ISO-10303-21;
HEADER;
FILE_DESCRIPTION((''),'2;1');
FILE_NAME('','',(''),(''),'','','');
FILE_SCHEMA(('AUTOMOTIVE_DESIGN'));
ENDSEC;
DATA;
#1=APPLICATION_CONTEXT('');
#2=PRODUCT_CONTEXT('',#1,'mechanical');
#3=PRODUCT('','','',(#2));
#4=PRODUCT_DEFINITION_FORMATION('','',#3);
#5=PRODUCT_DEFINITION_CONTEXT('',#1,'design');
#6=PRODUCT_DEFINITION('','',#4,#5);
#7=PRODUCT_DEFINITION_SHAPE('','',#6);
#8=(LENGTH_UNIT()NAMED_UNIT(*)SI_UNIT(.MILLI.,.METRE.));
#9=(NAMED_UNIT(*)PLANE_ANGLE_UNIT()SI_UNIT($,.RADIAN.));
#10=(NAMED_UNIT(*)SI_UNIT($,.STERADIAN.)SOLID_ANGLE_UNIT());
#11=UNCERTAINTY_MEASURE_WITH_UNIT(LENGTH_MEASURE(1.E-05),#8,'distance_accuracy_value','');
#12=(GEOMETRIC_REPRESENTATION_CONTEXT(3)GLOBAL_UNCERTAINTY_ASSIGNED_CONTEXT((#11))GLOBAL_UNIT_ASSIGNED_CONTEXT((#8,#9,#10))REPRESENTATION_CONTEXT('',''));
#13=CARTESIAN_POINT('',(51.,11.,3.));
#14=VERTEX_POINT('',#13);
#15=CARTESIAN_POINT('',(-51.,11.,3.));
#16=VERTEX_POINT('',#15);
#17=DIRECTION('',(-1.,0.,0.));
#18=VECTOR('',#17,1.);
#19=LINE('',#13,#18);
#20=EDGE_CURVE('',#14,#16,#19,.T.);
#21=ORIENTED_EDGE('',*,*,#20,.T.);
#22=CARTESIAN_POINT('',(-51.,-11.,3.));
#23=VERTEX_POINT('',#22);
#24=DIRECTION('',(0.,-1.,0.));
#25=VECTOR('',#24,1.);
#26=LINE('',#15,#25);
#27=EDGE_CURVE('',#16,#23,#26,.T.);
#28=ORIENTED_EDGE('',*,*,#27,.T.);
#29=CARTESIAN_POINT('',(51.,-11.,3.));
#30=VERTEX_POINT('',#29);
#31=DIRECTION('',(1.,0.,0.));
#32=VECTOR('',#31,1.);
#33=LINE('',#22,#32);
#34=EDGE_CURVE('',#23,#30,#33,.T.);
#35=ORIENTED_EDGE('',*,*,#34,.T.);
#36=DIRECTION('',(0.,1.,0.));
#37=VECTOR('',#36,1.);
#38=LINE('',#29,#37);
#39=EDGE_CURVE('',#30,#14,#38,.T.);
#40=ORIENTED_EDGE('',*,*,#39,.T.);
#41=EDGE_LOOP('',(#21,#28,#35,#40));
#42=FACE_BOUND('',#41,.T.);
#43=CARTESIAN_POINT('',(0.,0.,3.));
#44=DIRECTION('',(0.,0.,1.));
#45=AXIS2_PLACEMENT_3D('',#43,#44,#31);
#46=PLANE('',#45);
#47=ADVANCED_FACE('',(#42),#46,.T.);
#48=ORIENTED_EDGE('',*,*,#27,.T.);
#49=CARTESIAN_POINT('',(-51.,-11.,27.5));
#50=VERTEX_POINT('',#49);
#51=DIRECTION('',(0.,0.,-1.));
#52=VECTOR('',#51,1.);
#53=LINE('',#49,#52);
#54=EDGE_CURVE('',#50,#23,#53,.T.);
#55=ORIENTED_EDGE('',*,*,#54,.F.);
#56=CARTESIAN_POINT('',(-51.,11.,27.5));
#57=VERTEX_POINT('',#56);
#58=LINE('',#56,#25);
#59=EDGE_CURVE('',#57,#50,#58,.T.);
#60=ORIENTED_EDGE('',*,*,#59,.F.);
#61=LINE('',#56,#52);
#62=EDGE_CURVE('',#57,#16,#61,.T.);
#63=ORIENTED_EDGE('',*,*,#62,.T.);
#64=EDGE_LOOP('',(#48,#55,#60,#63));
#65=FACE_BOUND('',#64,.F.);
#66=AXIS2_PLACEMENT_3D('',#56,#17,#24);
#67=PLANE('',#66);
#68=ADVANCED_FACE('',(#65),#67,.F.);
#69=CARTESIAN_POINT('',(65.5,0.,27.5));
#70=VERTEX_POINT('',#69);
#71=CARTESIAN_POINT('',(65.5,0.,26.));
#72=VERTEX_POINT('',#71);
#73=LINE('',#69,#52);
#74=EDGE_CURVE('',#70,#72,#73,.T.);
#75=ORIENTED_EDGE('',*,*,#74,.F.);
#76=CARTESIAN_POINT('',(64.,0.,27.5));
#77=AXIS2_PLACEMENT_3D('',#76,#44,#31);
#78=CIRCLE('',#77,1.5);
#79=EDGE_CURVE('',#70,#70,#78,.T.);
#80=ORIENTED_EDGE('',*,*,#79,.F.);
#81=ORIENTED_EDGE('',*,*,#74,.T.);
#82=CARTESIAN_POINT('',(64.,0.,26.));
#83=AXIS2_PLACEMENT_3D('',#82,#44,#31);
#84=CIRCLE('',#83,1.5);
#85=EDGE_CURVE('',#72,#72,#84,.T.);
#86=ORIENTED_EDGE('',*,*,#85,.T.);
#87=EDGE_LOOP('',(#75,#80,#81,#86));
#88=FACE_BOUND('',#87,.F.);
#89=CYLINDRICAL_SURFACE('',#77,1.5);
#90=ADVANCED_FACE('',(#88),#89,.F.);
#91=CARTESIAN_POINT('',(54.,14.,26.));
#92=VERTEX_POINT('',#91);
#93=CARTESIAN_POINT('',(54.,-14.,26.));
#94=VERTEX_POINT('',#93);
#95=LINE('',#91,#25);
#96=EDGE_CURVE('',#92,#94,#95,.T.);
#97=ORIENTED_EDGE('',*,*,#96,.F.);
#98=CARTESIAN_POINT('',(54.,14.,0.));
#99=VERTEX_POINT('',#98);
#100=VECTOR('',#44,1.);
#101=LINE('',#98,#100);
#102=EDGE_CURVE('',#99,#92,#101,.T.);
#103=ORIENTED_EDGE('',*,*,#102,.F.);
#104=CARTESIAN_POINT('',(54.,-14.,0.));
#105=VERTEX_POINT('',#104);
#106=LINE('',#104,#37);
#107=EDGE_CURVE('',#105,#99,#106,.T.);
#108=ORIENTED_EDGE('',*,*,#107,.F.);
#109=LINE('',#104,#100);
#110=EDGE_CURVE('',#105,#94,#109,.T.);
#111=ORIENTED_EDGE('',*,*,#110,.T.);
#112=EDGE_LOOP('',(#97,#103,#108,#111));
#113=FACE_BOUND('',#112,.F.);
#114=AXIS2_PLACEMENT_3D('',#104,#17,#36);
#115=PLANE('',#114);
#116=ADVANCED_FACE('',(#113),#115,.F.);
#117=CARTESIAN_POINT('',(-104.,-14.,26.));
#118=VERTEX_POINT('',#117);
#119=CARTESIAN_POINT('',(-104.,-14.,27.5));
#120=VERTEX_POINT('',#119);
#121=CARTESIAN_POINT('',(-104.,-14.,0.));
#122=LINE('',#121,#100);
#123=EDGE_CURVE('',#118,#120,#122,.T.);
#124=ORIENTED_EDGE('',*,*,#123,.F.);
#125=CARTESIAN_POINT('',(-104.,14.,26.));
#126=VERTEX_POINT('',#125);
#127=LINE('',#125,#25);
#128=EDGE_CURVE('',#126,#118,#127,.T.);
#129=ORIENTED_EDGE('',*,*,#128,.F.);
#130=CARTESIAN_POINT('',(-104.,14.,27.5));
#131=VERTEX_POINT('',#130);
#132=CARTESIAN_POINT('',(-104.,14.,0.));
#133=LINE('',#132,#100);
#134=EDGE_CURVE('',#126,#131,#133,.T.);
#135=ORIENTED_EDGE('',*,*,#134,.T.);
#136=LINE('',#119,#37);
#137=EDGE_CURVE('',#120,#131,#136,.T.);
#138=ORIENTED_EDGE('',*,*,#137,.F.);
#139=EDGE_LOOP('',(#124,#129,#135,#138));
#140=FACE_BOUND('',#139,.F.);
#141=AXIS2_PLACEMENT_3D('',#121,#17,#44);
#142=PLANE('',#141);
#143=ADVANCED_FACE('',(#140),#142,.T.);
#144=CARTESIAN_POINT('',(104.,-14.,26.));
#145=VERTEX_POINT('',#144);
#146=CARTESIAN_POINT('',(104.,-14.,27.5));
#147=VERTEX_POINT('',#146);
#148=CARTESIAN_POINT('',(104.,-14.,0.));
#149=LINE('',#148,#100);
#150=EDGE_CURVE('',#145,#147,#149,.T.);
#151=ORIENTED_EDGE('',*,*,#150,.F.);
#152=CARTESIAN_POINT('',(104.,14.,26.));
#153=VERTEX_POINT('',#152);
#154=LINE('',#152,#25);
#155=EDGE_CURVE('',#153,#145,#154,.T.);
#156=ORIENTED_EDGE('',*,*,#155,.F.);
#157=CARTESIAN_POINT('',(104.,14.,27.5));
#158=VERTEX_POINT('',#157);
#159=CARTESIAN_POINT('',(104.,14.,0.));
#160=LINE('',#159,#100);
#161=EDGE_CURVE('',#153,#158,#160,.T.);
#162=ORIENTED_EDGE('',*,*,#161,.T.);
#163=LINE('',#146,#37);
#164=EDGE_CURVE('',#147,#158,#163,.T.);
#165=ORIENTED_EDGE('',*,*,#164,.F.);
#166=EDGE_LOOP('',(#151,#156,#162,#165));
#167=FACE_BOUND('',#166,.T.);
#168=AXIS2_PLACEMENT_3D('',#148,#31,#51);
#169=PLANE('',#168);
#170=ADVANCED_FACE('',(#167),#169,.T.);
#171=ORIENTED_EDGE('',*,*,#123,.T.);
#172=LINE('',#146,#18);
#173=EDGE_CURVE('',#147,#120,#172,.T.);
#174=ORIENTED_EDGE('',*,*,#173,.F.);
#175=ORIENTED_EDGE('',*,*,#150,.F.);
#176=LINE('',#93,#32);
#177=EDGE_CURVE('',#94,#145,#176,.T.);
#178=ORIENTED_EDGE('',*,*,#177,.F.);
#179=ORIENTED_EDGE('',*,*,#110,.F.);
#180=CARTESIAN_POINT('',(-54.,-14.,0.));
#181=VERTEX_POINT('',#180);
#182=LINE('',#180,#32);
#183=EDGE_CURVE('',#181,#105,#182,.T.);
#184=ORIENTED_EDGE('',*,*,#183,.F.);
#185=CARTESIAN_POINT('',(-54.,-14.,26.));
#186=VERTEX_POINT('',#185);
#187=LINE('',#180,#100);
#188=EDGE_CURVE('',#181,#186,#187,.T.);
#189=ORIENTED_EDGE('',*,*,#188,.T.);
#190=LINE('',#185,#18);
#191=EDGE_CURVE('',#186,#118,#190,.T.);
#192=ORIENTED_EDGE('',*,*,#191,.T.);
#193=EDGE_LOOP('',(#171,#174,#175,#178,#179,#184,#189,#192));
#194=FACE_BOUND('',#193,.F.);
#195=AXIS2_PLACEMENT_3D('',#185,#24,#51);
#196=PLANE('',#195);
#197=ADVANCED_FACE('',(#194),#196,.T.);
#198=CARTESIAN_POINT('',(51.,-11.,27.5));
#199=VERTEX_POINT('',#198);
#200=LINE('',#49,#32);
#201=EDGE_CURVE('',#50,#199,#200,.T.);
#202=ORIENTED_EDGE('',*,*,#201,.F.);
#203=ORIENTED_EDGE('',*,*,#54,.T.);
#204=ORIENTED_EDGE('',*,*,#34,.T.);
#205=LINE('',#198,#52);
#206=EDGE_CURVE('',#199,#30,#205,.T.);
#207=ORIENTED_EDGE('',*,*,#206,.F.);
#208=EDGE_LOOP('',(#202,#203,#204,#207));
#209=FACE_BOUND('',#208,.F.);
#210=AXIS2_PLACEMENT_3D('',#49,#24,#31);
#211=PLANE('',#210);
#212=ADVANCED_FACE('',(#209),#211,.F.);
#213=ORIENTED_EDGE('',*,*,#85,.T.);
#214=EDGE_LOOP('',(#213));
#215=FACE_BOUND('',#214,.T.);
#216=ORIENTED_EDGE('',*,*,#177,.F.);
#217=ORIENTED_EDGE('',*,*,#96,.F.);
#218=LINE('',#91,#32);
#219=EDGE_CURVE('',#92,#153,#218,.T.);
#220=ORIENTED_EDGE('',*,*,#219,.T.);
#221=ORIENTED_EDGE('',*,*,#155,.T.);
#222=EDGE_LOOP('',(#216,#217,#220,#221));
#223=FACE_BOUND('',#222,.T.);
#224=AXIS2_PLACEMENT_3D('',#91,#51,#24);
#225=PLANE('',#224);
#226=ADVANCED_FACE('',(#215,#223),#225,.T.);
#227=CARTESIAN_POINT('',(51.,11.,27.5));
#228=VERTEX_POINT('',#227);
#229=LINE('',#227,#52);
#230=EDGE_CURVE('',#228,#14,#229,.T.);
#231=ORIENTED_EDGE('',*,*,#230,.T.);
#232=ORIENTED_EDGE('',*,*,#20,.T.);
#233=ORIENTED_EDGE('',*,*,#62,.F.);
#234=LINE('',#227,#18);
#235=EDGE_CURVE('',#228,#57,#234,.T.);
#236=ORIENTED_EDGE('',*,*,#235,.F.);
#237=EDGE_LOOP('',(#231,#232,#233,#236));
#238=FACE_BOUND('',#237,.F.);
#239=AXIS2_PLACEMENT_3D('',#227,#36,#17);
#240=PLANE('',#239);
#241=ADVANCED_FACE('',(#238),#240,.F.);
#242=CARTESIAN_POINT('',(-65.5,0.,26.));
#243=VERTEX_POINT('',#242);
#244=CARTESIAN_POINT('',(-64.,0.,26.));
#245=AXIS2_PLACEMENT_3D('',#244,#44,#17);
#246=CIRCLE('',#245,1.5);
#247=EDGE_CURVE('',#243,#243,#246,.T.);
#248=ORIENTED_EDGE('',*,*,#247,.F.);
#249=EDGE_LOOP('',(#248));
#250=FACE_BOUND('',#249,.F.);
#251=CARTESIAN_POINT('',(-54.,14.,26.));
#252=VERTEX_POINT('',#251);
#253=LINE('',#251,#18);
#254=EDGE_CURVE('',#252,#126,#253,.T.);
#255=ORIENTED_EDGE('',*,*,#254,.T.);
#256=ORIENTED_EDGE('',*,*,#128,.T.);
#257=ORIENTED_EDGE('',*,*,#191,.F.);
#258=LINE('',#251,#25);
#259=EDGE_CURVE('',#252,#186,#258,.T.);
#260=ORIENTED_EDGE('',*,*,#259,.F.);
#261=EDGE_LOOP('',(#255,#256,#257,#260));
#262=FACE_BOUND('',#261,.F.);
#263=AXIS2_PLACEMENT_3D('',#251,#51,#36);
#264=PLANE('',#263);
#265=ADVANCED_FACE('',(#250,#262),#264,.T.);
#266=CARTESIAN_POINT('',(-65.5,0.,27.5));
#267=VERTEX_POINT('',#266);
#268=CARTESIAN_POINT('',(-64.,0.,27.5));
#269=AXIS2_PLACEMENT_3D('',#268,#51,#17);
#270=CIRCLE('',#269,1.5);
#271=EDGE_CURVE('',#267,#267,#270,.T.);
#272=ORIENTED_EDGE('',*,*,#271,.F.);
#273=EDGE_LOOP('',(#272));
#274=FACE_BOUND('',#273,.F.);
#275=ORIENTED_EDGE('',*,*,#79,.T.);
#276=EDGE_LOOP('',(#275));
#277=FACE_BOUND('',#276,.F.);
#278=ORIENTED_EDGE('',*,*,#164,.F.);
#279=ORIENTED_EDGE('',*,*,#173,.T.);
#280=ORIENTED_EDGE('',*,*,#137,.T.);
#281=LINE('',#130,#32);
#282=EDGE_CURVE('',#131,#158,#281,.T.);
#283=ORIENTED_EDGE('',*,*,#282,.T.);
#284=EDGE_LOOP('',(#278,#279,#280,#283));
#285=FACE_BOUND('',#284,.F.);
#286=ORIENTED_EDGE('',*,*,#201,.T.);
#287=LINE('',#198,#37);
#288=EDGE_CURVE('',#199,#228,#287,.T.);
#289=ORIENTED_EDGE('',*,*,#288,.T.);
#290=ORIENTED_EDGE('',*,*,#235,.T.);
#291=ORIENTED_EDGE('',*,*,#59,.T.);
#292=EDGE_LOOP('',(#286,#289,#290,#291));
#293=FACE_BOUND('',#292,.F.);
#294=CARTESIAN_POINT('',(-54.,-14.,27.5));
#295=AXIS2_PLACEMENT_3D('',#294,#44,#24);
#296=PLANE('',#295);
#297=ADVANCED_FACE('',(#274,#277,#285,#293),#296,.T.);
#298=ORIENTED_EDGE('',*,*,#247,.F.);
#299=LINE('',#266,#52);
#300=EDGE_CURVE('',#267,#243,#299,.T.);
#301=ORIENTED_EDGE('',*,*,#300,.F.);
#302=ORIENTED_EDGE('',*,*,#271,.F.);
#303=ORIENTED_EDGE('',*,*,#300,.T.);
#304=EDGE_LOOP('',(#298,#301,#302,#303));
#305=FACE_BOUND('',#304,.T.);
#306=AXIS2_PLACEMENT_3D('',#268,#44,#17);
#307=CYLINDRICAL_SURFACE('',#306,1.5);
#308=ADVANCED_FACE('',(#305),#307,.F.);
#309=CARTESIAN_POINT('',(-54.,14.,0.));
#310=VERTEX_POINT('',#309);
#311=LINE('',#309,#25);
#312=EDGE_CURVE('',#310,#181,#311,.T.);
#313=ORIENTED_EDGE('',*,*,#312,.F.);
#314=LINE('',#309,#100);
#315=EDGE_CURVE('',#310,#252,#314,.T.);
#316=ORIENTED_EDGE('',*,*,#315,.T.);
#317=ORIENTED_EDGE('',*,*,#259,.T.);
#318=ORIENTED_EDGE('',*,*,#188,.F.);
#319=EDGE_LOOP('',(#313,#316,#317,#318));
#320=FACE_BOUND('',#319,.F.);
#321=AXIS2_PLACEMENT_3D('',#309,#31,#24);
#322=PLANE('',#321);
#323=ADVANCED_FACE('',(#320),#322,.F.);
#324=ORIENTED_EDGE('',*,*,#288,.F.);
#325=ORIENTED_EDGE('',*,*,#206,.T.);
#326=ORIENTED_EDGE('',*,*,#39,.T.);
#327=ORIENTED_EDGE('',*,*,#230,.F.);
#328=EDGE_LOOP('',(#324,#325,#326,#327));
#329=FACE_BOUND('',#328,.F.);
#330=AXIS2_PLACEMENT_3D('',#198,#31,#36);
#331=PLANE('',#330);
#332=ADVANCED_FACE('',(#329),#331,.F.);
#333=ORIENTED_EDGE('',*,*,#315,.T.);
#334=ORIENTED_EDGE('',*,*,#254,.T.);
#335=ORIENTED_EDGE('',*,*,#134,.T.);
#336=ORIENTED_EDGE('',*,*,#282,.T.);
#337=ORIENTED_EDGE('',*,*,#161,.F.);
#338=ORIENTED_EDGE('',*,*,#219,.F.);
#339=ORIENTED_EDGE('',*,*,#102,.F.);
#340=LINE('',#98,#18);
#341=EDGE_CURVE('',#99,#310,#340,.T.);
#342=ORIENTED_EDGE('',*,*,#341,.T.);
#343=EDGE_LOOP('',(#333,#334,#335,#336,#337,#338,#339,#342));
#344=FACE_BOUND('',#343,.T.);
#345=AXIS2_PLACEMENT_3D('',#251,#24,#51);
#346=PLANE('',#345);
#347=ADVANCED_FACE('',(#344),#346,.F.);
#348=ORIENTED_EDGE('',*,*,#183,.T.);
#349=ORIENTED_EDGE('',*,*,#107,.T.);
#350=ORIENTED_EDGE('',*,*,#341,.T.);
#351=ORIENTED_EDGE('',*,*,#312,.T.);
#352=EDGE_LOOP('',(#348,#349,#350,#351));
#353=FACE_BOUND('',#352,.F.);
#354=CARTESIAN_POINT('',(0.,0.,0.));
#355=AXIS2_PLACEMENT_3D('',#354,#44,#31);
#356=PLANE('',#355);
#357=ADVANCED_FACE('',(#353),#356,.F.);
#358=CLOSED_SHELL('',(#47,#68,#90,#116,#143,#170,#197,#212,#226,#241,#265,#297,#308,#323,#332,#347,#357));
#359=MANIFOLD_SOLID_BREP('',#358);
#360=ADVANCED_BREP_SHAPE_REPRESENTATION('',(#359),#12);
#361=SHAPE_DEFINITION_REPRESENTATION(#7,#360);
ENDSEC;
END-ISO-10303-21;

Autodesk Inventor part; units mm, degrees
ref_plane "YZ Plane" through (0, 0, 0) normal (1, 0, 0) x (0, 1, 0)
ref_plane "XZ Plane" through (0, 0, 0) normal (0, 1, 0) x (-1, 0, 0)
ref_plane "XY Plane" through (0, 0, 0) normal (0, 0, 1) x (1, 0, 0)
sketch "Эскиз1" plane through (0, 0, 0) normal (0, 0, 1) x (1, 0, 0)
  line L0 (-54, -14) -> (54, -14)
  line L1 (54, -14) -> (54, 14)
  line L2 (54, 14) -> (-54, 14)
  line L3 (-54, 14) -> (-54, -14)
  line L4 (-54, -14) -> (54, 14) construction
  line L5 (54, -14) -> (-54, 14) construction
  point P0 (0, 0)
  dimension "d0" = 108
  dimension "d1" = 28
extrude "Выдавливание1" add sketch "Эскиз1" along normal blind 27.5
sketch "Эскиз2" plane through (0, 0, 27.5) normal (0, 0, 1) x (1, 0, 0)
  line L0 (-51, -11) -> (51, -11)
  line L1 (51, -11) -> (51, 11)
  line L2 (51, 11) -> (-51, 11)
  line L3 (-51, 11) -> (-51, -11)
  line L4 (-51, -11) -> (51, 11) construction
  line L5 (51, -11) -> (-51, 11) construction
  line L6 (54, 14) -> (-54, 14) projected
  line L7 (54, -14) -> (54, 14) projected
  point P0 (0, 0)
  dimension "d4" = 3
  dimension "d5" = 3
extrude "Выдавливание2" cut sketch "Эскиз2" against normal blind 24.5
sketch "Эскиз3" plane through (54, -14, 0) normal (1, 0, 0) x (0, 0, -1)
  line L0 (0, 28) -> (-27.5, 28) projected
  line L1 (0, 0) -> (-27.5, 0) projected
  line L2 (-27.5, 28) -> (-26, 28)
  line L3 (-26, 28) -> (-26, 0)
  line L4 (-26, 0) -> (-27.5, 0)
  line L5 (-27.5, 0) -> (-27.5, 28)
  point P0 (0, 14)
  dimension "d8" = 1.5
extrude "Выдавливание3" add sketch "Эскиз3" along normal blind 50
sketch "Эскиз4" plane through (0, 0, 27.5) normal (0, 0, 1) x (1, 0, 0)
  circle A0 centre (64, 0) radius 1.5
  line L0 (-54, -14) -> (104, -14) projected
  point P0 (0, 0)
  point P1 (54, -14)
  dimension "d11" = 3
  dimension "d12" = 14
  dimension "d13" = 10
extrude "Выдавливание4" cut sketch "Эскиз4" against normal blind 50
mirror "Зеркальное отражение1" about plane through (0, 0, 0) normal (1, 0, 0) of "Выдавливание3", "Выдавливание4"
properties part number "000.009 - Короб"
